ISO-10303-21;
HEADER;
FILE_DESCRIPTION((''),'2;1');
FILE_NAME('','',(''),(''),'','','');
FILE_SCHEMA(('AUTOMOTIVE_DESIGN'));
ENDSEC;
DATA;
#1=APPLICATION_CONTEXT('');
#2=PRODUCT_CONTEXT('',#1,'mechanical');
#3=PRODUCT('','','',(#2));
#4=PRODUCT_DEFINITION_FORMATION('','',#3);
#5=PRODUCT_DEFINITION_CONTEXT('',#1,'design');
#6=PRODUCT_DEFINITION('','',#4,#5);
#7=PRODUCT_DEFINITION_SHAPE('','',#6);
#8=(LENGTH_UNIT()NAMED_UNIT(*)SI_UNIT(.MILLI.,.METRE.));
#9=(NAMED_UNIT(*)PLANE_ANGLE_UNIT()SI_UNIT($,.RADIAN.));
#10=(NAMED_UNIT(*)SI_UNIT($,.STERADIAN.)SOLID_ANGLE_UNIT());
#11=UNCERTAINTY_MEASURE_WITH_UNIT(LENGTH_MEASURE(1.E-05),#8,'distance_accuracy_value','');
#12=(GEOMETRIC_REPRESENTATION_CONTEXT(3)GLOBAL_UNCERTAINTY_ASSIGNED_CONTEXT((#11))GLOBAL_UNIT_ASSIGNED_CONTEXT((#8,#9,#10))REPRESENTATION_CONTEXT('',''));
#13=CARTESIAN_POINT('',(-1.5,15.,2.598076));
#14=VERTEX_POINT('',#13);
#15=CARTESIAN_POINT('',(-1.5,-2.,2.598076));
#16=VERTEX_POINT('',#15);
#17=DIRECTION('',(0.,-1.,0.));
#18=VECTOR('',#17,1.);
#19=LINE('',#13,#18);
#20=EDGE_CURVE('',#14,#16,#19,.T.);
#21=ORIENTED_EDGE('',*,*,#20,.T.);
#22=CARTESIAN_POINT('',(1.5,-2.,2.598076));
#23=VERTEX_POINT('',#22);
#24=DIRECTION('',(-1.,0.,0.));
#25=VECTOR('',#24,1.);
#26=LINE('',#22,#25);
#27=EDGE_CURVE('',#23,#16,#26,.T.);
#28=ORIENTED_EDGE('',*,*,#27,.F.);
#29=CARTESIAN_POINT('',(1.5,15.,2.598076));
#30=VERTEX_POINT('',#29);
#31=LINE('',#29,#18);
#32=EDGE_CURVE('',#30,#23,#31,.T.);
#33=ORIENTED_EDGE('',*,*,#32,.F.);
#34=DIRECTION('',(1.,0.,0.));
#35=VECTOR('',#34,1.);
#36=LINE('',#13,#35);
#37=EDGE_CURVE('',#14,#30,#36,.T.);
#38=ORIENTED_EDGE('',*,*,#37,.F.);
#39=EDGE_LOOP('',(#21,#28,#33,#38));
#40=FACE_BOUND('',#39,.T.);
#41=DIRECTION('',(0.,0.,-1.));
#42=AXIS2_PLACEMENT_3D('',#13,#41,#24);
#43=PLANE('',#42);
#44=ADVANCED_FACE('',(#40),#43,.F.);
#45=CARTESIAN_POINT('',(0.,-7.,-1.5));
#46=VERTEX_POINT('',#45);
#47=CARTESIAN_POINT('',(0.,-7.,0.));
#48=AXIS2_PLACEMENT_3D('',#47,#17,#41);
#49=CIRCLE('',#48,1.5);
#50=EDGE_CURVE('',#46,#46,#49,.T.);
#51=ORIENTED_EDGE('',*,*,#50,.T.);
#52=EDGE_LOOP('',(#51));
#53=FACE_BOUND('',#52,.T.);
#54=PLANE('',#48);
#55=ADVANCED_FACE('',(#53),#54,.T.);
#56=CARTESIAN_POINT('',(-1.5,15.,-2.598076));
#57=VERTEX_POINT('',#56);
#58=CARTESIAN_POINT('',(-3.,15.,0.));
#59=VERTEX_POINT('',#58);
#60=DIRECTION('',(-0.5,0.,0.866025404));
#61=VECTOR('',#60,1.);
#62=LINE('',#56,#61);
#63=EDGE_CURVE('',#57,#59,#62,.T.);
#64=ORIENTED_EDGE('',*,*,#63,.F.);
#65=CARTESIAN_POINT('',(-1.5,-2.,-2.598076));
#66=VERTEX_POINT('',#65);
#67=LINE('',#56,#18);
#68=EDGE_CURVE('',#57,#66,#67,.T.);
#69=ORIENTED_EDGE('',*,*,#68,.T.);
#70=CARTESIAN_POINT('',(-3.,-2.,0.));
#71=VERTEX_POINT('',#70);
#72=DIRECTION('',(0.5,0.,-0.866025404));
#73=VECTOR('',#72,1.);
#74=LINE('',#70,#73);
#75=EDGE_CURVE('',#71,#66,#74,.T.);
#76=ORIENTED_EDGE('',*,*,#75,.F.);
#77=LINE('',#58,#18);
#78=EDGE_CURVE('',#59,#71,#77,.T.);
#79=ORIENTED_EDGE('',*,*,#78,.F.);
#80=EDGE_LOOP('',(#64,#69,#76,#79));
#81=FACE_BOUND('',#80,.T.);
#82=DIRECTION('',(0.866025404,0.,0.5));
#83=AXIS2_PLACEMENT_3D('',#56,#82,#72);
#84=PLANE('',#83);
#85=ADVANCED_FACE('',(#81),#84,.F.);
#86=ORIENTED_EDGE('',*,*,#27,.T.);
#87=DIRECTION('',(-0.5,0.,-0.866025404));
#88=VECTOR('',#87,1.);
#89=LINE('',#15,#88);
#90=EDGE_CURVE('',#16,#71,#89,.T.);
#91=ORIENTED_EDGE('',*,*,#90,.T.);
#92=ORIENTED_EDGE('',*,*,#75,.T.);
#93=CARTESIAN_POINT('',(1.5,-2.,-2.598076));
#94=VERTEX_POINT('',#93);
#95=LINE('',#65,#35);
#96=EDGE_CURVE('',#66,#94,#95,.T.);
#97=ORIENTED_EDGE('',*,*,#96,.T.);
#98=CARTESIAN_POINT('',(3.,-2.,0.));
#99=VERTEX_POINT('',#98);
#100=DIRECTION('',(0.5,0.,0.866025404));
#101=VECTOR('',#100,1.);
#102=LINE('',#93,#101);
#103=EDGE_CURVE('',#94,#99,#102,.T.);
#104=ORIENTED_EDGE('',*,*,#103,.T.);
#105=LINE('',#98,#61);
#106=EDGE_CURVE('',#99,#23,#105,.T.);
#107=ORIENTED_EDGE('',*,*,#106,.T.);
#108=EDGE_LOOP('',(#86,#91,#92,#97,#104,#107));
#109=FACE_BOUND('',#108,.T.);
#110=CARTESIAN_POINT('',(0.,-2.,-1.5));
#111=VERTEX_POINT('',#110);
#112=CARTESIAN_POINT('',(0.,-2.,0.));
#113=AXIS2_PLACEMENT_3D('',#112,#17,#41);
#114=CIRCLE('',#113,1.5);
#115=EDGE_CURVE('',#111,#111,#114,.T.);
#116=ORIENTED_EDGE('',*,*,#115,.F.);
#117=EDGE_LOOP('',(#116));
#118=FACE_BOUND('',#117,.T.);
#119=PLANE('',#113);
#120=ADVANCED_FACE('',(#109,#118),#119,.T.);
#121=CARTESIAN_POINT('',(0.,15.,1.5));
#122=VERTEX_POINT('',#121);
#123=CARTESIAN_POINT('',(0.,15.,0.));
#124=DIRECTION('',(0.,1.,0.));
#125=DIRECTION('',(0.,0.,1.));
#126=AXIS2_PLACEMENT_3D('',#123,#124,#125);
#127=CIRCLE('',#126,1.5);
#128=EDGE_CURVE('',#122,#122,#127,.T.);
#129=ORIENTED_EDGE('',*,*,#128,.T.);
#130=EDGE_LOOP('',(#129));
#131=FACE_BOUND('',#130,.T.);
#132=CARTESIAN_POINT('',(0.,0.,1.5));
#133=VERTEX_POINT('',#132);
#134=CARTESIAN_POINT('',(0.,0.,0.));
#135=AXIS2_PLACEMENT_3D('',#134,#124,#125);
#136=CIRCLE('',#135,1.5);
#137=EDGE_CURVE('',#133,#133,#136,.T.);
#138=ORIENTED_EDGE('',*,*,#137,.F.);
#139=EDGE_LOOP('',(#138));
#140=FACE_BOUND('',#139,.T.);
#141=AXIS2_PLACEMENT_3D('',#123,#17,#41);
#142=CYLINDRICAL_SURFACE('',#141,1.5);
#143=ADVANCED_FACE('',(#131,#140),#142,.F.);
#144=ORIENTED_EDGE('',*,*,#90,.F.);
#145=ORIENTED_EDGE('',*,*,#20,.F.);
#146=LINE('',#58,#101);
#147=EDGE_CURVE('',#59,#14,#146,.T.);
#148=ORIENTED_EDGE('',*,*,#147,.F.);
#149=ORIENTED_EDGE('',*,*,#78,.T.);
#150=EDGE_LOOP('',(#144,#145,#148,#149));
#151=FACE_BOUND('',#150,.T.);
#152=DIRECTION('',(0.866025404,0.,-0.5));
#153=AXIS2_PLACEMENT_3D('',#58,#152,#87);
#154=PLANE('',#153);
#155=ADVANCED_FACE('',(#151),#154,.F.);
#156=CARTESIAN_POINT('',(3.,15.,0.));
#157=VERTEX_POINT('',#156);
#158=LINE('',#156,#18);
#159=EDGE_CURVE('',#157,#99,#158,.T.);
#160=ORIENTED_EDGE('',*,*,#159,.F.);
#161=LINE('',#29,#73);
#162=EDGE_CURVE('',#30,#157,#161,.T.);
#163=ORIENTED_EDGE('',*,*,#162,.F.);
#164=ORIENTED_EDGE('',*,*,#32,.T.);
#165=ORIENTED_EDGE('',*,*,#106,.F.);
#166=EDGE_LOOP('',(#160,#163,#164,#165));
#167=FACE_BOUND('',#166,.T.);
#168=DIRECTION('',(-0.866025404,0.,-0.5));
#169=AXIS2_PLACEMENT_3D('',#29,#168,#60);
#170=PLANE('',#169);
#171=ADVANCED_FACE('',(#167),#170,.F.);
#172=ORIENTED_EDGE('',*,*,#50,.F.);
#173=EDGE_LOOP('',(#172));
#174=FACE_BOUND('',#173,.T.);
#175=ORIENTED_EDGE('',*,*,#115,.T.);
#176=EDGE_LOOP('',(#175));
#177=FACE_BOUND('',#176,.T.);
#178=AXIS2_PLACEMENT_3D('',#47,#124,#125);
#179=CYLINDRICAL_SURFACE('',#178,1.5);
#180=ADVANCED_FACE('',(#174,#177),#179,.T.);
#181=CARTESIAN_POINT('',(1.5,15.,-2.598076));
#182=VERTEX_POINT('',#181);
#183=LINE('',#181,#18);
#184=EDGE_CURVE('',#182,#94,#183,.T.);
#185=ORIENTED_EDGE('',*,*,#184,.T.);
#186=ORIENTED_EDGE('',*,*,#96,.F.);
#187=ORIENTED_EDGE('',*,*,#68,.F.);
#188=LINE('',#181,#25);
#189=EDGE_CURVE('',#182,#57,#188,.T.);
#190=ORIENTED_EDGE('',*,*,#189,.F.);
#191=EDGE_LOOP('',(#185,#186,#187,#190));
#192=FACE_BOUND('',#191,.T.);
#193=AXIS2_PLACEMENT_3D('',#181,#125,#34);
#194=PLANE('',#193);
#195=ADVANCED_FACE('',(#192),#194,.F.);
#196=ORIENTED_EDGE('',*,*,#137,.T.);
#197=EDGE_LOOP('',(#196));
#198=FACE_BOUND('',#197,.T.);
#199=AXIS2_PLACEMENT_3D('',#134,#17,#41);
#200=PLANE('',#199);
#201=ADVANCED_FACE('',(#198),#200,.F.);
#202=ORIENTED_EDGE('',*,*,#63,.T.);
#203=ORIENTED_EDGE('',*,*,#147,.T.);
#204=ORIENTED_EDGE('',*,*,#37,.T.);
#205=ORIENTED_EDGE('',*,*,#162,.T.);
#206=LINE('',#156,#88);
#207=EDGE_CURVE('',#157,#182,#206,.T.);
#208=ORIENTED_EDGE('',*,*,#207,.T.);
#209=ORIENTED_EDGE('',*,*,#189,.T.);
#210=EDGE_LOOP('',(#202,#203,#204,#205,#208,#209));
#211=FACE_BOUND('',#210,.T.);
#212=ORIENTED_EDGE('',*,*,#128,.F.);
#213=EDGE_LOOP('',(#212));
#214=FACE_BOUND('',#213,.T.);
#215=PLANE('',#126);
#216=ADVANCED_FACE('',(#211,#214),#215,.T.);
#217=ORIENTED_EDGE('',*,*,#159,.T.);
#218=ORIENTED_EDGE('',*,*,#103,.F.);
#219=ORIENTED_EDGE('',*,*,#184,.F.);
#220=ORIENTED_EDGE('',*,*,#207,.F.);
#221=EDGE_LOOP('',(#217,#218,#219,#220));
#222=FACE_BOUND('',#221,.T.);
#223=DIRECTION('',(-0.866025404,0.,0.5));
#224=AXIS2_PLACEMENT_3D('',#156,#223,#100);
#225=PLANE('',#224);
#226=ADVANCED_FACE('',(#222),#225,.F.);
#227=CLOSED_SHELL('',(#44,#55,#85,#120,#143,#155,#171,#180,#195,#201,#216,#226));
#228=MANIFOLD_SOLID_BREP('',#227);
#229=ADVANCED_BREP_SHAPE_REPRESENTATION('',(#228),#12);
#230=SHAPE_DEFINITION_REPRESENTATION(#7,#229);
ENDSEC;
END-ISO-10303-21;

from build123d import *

# Parameters (mm, degrees)
SKETCH1_R           = 1.5
BOSS_EXTRUDE1_DEPTH = 15
BOSS_EXTRUDE2_DEPTH = 2
BOSS_EXTRUDE3_START = 5
SKETCH3_R           = 1.5
BOSS_EXTRUDE3_DEPTH = 5


with BuildPart() as part:
    # Sketch1 → Boss-Extrude1 (new body)
    with BuildSketch(Plane(origin=(0, 0, 0), x_dir=(1, 0, 0), z_dir=(0, 1, 0))):
        Polygon((3, 0), (1.5, 2.598076211), (-1.5, 2.598076211), (-3, 0), (-1.5, -2.598076211), (1.5, -2.598076211), align=None)
        with Locations(Location((0, 0, 0), (0, 0, 270))):
            Circle(SKETCH1_R, mode=Mode.SUBTRACT)
    extrude(amount=BOSS_EXTRUDE1_DEPTH)

    # Sketch2 → Boss-Extrude2 (add)
    with BuildSketch(Plane.XZ):
        Polygon((1.5, 2.598076211), (-1.5, 2.598076211), (-3, 0), (-1.5, -2.598076211), (1.5, -2.598076211), (3, 0), align=None)
    extrude(amount=BOSS_EXTRUDE2_DEPTH)

    # Sketch3 → Boss-Extrude3 (add)
    with BuildSketch(Plane.XZ.offset(2).offset(BOSS_EXTRUDE3_START)):
        with Locations(Location((0, 0, 0), (0, 0, 90))):
            Circle(SKETCH3_R)
    extrude(amount=-BOSS_EXTRUDE3_DEPTH)


solid = part.part
